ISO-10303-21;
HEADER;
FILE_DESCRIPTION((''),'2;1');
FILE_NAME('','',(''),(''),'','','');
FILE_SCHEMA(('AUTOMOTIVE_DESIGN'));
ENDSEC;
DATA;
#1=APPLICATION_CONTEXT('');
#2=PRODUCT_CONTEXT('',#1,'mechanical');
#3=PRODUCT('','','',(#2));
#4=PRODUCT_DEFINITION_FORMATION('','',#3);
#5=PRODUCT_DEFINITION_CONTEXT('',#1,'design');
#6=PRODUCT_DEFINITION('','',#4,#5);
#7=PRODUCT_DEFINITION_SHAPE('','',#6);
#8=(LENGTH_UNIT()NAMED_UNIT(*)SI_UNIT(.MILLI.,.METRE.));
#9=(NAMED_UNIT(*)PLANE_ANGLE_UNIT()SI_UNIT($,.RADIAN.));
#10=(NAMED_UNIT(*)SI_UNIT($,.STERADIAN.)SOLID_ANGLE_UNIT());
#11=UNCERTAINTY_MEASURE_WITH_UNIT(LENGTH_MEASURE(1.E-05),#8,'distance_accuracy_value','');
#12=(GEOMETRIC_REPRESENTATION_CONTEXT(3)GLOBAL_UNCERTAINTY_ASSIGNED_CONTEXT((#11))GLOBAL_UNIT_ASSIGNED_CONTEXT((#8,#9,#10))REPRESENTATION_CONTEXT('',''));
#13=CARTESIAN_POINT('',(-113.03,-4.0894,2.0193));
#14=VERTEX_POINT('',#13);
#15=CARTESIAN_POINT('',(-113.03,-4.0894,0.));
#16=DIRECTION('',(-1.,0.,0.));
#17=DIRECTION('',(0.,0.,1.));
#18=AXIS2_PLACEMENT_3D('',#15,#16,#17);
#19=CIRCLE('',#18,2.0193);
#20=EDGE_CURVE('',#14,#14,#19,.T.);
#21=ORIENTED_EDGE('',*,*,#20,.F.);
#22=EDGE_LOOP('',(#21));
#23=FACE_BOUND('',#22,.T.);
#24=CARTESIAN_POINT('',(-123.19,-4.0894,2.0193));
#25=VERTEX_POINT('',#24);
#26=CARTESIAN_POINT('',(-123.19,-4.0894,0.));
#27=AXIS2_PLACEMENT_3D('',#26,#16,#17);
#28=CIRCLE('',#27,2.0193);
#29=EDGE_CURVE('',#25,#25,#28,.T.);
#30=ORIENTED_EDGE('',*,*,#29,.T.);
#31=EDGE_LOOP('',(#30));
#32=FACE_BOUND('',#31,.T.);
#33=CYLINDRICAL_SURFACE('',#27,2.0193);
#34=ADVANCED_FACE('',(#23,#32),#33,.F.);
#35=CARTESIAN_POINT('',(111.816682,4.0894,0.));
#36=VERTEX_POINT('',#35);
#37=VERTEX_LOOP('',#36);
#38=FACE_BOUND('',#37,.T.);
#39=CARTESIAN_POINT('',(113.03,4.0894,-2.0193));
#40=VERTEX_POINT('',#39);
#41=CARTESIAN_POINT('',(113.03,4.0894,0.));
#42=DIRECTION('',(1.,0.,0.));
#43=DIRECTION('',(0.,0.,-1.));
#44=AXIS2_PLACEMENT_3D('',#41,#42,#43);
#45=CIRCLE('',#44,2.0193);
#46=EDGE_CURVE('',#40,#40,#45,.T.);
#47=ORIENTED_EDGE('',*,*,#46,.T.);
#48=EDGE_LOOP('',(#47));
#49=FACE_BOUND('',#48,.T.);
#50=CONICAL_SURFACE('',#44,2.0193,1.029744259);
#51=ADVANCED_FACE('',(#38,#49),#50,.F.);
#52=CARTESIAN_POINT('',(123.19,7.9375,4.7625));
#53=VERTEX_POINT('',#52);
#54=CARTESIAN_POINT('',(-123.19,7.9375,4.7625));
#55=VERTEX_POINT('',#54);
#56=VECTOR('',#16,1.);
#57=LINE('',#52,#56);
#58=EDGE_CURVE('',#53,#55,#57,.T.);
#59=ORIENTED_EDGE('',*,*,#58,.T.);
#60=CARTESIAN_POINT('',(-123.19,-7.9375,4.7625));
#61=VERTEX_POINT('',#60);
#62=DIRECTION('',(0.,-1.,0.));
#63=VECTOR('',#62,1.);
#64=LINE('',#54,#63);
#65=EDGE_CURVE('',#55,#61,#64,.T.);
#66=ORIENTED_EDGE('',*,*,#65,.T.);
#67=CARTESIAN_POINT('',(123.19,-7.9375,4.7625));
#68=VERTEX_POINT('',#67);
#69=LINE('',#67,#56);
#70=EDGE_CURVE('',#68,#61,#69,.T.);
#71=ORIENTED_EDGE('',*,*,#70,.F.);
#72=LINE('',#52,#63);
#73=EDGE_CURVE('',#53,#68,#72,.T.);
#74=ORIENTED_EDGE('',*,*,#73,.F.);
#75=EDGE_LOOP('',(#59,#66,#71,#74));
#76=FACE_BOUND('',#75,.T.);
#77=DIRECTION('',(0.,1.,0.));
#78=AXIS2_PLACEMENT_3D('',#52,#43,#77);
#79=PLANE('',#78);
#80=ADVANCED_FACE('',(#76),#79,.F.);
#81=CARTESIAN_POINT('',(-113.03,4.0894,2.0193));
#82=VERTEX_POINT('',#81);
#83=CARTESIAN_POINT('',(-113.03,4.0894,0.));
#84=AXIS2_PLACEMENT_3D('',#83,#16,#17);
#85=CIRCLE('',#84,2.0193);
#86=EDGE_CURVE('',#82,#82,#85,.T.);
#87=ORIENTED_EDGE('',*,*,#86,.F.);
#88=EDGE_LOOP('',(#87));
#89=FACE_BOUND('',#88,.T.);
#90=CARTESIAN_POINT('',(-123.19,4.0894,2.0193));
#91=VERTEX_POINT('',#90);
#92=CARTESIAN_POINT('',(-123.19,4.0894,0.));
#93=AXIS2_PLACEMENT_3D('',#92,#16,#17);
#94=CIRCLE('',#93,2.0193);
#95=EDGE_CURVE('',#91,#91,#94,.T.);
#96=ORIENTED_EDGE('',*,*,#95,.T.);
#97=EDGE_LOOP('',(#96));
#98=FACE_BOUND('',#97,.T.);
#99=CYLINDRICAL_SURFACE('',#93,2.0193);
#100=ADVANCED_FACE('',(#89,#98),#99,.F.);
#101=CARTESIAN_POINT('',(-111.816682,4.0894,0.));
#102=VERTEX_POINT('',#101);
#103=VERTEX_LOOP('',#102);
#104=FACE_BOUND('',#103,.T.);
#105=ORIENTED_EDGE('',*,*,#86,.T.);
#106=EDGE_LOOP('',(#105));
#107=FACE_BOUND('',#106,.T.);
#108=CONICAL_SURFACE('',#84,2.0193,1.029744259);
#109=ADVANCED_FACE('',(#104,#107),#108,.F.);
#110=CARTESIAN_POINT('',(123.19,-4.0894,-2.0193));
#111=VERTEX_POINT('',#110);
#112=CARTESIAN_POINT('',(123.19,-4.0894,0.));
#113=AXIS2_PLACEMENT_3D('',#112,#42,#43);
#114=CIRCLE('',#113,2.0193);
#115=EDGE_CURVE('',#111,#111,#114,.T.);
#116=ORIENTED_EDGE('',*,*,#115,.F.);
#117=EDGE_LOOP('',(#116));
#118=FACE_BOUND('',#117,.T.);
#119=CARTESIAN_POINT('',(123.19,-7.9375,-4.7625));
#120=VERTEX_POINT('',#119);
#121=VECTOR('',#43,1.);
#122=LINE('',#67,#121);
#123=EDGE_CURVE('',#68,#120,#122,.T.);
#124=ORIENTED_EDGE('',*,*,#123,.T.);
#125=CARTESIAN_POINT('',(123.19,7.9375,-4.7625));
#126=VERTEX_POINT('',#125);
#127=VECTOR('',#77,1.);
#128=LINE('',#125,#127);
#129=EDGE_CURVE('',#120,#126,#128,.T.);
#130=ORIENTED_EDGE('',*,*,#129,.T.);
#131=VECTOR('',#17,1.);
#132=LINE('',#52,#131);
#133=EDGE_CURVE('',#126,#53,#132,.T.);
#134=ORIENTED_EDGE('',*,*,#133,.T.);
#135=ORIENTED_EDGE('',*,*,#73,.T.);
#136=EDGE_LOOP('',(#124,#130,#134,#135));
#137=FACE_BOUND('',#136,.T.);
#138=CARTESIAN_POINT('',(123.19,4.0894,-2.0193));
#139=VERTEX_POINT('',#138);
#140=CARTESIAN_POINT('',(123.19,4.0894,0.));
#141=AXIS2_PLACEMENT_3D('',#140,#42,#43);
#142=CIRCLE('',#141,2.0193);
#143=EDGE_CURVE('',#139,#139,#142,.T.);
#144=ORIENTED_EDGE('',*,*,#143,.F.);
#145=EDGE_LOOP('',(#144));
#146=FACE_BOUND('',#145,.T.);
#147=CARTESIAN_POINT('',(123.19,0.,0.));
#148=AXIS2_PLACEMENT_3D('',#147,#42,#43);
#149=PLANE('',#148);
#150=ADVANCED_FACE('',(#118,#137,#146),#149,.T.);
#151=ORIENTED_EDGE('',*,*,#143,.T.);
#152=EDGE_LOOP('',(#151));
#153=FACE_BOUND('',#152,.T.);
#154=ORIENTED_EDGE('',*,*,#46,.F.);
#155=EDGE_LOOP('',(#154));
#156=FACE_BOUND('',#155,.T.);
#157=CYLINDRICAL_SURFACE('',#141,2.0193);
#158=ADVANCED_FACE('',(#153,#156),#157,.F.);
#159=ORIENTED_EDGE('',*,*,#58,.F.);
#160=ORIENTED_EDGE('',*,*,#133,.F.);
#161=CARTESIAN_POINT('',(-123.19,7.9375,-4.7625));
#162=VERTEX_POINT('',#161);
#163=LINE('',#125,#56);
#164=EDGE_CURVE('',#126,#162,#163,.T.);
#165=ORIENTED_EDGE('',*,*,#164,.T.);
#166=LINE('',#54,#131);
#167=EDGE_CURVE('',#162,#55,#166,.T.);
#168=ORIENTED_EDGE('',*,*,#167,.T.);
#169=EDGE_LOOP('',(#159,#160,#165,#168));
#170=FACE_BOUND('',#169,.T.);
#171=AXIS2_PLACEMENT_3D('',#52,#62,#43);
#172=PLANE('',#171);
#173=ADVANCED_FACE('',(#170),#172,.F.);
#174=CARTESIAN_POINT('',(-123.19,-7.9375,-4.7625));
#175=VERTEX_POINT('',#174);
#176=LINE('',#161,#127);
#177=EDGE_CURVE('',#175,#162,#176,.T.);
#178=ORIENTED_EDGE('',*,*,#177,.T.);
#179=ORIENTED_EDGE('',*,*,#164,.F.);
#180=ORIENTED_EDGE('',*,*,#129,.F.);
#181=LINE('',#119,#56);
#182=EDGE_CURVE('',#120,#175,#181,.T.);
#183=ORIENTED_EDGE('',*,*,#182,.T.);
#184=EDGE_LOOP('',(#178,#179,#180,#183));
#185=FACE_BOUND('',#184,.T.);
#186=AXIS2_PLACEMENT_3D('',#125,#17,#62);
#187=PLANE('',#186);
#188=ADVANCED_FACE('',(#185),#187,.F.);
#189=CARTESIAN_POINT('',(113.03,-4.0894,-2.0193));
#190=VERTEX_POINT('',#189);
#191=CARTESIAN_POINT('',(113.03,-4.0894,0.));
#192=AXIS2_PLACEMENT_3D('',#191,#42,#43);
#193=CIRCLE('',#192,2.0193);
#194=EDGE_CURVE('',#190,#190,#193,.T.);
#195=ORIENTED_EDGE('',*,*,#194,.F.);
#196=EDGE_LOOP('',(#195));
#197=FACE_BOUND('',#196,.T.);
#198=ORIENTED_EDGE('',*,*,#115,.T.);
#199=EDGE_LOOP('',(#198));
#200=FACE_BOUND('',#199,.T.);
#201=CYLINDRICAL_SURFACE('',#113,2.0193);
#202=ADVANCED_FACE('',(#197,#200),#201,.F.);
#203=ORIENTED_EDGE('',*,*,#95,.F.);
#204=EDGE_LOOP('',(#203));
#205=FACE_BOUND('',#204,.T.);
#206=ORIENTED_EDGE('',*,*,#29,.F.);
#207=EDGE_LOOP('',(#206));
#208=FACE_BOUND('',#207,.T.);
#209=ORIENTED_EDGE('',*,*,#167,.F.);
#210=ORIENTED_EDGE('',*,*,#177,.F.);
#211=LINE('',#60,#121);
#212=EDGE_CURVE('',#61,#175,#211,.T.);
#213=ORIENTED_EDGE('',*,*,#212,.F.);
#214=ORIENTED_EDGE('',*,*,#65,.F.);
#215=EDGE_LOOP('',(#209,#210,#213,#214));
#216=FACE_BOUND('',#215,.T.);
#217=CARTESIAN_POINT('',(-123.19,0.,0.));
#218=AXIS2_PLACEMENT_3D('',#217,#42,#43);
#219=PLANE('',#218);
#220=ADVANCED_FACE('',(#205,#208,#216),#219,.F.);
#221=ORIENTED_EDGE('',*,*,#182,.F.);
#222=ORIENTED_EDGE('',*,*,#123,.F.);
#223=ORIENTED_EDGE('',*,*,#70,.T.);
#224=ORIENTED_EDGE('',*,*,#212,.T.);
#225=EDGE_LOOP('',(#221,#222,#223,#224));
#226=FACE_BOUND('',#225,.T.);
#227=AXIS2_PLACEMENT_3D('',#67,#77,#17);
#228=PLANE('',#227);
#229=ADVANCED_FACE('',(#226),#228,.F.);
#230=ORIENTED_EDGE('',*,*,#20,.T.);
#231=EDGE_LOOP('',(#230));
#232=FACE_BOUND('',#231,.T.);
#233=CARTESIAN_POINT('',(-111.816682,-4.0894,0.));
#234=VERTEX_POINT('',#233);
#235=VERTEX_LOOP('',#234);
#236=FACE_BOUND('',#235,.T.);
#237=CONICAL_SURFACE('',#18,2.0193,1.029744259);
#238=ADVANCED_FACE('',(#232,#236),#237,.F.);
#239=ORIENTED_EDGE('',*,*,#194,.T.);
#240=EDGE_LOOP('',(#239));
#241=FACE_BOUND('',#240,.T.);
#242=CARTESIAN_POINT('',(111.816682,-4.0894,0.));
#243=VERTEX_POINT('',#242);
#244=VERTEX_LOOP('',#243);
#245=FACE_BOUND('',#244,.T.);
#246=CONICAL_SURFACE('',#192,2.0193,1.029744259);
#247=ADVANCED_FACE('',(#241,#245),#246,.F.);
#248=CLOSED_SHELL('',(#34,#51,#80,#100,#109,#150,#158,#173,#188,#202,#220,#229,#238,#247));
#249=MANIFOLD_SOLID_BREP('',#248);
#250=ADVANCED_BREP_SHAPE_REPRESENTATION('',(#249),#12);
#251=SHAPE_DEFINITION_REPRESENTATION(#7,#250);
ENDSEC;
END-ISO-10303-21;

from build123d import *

# Parameters (mm, degrees)
SKETCH1_W                           = 9.525
SKETCH1_H                           = 15.875
BOSS_EXTRUDE1_DEPTH                 = 123.19
TAP_DRILL_FOR_10_32_TAP1_AT_2_COUNT = 2
TAP_DRILL_FOR_10_32_TAP1_AT_2_PITCH = 8.1788


with BuildPart() as part:
    # Sketch1 → Boss-Extrude1 (new, symmetric)
    with BuildSketch(Plane(origin=(0, 0, 0), x_dir=(0, 0, -1), z_dir=(1, 0, 0))):
        Rectangle(SKETCH1_W, SKETCH1_H)
    extrude(amount=BOSS_EXTRUDE1_DEPTH, both=True)

    # Sketch4 → Tap Drill for #10-32 Tap1 (revolve, cut)
    with BuildSketch(Plane(origin=(123.19, 4.0894, 0), x_dir=(0, 0, -1), z_dir=(0, 1, 0))):
        Polygon((0, 0), (0, 11.373317848), (2.0193, 10.16), (2.0193, 0), align=None)
    tap_drill_for_10_32_tap1 = revolve(axis=Axis((129.54, 4.0894, 0), (-1, 0, 0)), mode=Mode.SUBTRACT)

    # Tap Drill for #10-32 Tap1 at 2: Tap Drill for #10-32 Tap1 ×2
    with Locations(*[(0, -i * TAP_DRILL_FOR_10_32_TAP1_AT_2_PITCH, 0) for i in range(1, TAP_DRILL_FOR_10_32_TAP1_AT_2_COUNT)]):
        add(tap_drill_for_10_32_tap1, mode=Mode.SUBTRACT)

    # Mirror1: Tap Drill for #10-32 Tap1 across plane
    add(tap_drill_for_10_32_tap1.mirror(Plane(origin=(0, 0, 0), x_dir=(0, 0, 1), z_dir=(1, 0, 0))), mode=Mode.SUBTRACT)

    # Mirror1 copy 1 sketch → Mirror1 copy 1 (revolve, cut)
    with BuildSketch(Plane(origin=(-123.19, -4.0894, 0), x_dir=(0, 0, -1), z_dir=(0, 1, 0))):
        Polygon((0, 0), (0, -11.373317848), (2.0193, -10.16), (2.0193, 0), align=None)
    revolve(axis=Axis((-129.54, -4.0894, 0), (-1, 0, 0)), mode=Mode.SUBTRACT)


solid = part.part
